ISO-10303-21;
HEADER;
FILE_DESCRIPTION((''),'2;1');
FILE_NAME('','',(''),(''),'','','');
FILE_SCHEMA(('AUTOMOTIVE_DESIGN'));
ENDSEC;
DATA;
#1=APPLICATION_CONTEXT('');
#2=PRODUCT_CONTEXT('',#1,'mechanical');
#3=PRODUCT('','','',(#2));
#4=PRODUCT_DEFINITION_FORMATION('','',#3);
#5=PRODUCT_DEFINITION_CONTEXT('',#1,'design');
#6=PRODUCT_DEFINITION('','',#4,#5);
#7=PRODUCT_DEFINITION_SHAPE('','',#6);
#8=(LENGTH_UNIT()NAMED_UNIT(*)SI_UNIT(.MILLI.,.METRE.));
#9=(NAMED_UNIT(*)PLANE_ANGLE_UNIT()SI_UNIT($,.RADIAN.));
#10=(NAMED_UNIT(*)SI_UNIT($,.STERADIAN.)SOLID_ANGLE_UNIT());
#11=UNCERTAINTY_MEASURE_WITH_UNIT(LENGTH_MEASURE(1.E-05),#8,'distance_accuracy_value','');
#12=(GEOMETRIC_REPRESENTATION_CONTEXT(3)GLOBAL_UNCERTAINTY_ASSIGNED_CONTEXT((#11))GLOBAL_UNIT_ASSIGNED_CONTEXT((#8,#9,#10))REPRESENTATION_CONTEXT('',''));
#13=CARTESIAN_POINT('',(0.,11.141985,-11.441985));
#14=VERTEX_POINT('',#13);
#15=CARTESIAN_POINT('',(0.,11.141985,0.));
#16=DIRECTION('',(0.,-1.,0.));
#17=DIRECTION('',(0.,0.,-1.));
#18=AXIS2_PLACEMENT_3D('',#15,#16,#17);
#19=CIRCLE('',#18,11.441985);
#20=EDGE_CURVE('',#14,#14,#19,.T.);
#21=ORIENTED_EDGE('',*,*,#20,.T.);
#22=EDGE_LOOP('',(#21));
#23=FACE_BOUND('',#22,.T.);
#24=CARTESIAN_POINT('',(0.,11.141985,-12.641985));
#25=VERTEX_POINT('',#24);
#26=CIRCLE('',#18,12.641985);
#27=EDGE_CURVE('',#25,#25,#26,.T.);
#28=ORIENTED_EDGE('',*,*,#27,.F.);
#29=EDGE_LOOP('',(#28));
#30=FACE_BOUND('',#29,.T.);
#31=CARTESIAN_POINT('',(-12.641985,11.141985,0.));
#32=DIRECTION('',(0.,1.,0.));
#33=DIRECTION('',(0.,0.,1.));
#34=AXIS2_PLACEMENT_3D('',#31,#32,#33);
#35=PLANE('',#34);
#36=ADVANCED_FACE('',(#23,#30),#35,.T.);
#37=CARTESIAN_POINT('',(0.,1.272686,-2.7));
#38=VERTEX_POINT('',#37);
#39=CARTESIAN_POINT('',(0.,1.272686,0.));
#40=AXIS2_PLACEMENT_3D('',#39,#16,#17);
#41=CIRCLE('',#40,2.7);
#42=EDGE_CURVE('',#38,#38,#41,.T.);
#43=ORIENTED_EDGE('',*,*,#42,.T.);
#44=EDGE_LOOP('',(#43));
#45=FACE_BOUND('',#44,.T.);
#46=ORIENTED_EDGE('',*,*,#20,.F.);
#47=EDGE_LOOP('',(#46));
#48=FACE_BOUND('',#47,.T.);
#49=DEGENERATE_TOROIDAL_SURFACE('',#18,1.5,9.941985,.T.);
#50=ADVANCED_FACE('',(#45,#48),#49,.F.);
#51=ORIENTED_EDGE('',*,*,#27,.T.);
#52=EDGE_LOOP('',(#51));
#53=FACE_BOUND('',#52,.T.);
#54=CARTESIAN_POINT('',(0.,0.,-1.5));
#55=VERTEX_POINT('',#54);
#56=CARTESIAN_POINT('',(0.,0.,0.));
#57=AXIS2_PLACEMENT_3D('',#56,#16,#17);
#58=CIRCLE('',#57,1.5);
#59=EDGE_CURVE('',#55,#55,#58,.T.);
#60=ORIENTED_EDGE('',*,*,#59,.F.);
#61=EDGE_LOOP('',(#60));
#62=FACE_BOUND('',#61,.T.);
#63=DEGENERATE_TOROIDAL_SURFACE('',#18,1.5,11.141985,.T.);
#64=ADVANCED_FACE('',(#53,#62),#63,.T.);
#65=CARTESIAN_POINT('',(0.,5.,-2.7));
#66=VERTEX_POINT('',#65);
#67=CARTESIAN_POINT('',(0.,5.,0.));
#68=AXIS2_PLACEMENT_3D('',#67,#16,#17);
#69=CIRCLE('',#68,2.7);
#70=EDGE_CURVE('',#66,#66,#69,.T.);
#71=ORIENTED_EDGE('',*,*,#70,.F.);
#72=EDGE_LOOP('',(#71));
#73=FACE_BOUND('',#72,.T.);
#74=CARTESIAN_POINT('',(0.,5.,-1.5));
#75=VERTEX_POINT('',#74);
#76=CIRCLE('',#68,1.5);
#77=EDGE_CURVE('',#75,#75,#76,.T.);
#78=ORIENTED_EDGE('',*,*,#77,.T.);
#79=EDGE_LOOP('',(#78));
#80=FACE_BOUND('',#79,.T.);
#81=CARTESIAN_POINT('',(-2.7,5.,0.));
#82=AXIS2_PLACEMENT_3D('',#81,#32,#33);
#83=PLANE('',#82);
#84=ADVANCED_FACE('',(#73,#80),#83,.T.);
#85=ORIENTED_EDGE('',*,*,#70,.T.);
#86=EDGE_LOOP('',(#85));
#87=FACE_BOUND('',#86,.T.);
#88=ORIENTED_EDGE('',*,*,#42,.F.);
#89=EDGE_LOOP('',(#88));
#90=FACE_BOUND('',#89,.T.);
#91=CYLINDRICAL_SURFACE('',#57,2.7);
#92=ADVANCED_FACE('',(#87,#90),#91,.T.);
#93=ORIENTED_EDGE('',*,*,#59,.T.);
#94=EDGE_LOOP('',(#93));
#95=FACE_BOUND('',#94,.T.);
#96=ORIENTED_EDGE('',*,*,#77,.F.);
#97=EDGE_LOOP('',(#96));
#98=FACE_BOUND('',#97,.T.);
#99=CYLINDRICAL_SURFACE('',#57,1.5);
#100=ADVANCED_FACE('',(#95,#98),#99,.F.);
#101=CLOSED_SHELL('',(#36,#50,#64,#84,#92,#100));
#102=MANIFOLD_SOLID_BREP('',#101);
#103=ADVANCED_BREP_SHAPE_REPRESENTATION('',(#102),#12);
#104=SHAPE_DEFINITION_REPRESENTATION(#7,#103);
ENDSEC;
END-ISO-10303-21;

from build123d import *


with BuildPart() as part:
    # Sketch2 → Revolve-Thin1 (revolve)
    with BuildSketch(Plane.XY, mode=Mode.PRIVATE) as revolve_thin1_sk:
        with BuildLine():
            Line((-1.5, 5), (-1.5, 0))
            ThreePointArc((-1.5, 0), (-9.378573435, 3.263411969), (-12.641985405, 11.141985405))
            Line((-12.641985405, 11.141985405), (-11.441985405, 11.141985405))
            ThreePointArc((-11.441985405, 11.141985405), (-8.94222602, 4.549842684), (-2.7, 1.272685846))
            Line((-2.7, 1.272685846), (-2.7, 5))
            Line((-2.7, 5), (-1.5, 5))
        make_face()
    revolve(revolve_thin1_sk.sketch.rotate(Axis((0, 0, 0), (0, 1, 0)), 270), axis=Axis((0, 0, 0), (0, 1, 0)))


solid = part.part
